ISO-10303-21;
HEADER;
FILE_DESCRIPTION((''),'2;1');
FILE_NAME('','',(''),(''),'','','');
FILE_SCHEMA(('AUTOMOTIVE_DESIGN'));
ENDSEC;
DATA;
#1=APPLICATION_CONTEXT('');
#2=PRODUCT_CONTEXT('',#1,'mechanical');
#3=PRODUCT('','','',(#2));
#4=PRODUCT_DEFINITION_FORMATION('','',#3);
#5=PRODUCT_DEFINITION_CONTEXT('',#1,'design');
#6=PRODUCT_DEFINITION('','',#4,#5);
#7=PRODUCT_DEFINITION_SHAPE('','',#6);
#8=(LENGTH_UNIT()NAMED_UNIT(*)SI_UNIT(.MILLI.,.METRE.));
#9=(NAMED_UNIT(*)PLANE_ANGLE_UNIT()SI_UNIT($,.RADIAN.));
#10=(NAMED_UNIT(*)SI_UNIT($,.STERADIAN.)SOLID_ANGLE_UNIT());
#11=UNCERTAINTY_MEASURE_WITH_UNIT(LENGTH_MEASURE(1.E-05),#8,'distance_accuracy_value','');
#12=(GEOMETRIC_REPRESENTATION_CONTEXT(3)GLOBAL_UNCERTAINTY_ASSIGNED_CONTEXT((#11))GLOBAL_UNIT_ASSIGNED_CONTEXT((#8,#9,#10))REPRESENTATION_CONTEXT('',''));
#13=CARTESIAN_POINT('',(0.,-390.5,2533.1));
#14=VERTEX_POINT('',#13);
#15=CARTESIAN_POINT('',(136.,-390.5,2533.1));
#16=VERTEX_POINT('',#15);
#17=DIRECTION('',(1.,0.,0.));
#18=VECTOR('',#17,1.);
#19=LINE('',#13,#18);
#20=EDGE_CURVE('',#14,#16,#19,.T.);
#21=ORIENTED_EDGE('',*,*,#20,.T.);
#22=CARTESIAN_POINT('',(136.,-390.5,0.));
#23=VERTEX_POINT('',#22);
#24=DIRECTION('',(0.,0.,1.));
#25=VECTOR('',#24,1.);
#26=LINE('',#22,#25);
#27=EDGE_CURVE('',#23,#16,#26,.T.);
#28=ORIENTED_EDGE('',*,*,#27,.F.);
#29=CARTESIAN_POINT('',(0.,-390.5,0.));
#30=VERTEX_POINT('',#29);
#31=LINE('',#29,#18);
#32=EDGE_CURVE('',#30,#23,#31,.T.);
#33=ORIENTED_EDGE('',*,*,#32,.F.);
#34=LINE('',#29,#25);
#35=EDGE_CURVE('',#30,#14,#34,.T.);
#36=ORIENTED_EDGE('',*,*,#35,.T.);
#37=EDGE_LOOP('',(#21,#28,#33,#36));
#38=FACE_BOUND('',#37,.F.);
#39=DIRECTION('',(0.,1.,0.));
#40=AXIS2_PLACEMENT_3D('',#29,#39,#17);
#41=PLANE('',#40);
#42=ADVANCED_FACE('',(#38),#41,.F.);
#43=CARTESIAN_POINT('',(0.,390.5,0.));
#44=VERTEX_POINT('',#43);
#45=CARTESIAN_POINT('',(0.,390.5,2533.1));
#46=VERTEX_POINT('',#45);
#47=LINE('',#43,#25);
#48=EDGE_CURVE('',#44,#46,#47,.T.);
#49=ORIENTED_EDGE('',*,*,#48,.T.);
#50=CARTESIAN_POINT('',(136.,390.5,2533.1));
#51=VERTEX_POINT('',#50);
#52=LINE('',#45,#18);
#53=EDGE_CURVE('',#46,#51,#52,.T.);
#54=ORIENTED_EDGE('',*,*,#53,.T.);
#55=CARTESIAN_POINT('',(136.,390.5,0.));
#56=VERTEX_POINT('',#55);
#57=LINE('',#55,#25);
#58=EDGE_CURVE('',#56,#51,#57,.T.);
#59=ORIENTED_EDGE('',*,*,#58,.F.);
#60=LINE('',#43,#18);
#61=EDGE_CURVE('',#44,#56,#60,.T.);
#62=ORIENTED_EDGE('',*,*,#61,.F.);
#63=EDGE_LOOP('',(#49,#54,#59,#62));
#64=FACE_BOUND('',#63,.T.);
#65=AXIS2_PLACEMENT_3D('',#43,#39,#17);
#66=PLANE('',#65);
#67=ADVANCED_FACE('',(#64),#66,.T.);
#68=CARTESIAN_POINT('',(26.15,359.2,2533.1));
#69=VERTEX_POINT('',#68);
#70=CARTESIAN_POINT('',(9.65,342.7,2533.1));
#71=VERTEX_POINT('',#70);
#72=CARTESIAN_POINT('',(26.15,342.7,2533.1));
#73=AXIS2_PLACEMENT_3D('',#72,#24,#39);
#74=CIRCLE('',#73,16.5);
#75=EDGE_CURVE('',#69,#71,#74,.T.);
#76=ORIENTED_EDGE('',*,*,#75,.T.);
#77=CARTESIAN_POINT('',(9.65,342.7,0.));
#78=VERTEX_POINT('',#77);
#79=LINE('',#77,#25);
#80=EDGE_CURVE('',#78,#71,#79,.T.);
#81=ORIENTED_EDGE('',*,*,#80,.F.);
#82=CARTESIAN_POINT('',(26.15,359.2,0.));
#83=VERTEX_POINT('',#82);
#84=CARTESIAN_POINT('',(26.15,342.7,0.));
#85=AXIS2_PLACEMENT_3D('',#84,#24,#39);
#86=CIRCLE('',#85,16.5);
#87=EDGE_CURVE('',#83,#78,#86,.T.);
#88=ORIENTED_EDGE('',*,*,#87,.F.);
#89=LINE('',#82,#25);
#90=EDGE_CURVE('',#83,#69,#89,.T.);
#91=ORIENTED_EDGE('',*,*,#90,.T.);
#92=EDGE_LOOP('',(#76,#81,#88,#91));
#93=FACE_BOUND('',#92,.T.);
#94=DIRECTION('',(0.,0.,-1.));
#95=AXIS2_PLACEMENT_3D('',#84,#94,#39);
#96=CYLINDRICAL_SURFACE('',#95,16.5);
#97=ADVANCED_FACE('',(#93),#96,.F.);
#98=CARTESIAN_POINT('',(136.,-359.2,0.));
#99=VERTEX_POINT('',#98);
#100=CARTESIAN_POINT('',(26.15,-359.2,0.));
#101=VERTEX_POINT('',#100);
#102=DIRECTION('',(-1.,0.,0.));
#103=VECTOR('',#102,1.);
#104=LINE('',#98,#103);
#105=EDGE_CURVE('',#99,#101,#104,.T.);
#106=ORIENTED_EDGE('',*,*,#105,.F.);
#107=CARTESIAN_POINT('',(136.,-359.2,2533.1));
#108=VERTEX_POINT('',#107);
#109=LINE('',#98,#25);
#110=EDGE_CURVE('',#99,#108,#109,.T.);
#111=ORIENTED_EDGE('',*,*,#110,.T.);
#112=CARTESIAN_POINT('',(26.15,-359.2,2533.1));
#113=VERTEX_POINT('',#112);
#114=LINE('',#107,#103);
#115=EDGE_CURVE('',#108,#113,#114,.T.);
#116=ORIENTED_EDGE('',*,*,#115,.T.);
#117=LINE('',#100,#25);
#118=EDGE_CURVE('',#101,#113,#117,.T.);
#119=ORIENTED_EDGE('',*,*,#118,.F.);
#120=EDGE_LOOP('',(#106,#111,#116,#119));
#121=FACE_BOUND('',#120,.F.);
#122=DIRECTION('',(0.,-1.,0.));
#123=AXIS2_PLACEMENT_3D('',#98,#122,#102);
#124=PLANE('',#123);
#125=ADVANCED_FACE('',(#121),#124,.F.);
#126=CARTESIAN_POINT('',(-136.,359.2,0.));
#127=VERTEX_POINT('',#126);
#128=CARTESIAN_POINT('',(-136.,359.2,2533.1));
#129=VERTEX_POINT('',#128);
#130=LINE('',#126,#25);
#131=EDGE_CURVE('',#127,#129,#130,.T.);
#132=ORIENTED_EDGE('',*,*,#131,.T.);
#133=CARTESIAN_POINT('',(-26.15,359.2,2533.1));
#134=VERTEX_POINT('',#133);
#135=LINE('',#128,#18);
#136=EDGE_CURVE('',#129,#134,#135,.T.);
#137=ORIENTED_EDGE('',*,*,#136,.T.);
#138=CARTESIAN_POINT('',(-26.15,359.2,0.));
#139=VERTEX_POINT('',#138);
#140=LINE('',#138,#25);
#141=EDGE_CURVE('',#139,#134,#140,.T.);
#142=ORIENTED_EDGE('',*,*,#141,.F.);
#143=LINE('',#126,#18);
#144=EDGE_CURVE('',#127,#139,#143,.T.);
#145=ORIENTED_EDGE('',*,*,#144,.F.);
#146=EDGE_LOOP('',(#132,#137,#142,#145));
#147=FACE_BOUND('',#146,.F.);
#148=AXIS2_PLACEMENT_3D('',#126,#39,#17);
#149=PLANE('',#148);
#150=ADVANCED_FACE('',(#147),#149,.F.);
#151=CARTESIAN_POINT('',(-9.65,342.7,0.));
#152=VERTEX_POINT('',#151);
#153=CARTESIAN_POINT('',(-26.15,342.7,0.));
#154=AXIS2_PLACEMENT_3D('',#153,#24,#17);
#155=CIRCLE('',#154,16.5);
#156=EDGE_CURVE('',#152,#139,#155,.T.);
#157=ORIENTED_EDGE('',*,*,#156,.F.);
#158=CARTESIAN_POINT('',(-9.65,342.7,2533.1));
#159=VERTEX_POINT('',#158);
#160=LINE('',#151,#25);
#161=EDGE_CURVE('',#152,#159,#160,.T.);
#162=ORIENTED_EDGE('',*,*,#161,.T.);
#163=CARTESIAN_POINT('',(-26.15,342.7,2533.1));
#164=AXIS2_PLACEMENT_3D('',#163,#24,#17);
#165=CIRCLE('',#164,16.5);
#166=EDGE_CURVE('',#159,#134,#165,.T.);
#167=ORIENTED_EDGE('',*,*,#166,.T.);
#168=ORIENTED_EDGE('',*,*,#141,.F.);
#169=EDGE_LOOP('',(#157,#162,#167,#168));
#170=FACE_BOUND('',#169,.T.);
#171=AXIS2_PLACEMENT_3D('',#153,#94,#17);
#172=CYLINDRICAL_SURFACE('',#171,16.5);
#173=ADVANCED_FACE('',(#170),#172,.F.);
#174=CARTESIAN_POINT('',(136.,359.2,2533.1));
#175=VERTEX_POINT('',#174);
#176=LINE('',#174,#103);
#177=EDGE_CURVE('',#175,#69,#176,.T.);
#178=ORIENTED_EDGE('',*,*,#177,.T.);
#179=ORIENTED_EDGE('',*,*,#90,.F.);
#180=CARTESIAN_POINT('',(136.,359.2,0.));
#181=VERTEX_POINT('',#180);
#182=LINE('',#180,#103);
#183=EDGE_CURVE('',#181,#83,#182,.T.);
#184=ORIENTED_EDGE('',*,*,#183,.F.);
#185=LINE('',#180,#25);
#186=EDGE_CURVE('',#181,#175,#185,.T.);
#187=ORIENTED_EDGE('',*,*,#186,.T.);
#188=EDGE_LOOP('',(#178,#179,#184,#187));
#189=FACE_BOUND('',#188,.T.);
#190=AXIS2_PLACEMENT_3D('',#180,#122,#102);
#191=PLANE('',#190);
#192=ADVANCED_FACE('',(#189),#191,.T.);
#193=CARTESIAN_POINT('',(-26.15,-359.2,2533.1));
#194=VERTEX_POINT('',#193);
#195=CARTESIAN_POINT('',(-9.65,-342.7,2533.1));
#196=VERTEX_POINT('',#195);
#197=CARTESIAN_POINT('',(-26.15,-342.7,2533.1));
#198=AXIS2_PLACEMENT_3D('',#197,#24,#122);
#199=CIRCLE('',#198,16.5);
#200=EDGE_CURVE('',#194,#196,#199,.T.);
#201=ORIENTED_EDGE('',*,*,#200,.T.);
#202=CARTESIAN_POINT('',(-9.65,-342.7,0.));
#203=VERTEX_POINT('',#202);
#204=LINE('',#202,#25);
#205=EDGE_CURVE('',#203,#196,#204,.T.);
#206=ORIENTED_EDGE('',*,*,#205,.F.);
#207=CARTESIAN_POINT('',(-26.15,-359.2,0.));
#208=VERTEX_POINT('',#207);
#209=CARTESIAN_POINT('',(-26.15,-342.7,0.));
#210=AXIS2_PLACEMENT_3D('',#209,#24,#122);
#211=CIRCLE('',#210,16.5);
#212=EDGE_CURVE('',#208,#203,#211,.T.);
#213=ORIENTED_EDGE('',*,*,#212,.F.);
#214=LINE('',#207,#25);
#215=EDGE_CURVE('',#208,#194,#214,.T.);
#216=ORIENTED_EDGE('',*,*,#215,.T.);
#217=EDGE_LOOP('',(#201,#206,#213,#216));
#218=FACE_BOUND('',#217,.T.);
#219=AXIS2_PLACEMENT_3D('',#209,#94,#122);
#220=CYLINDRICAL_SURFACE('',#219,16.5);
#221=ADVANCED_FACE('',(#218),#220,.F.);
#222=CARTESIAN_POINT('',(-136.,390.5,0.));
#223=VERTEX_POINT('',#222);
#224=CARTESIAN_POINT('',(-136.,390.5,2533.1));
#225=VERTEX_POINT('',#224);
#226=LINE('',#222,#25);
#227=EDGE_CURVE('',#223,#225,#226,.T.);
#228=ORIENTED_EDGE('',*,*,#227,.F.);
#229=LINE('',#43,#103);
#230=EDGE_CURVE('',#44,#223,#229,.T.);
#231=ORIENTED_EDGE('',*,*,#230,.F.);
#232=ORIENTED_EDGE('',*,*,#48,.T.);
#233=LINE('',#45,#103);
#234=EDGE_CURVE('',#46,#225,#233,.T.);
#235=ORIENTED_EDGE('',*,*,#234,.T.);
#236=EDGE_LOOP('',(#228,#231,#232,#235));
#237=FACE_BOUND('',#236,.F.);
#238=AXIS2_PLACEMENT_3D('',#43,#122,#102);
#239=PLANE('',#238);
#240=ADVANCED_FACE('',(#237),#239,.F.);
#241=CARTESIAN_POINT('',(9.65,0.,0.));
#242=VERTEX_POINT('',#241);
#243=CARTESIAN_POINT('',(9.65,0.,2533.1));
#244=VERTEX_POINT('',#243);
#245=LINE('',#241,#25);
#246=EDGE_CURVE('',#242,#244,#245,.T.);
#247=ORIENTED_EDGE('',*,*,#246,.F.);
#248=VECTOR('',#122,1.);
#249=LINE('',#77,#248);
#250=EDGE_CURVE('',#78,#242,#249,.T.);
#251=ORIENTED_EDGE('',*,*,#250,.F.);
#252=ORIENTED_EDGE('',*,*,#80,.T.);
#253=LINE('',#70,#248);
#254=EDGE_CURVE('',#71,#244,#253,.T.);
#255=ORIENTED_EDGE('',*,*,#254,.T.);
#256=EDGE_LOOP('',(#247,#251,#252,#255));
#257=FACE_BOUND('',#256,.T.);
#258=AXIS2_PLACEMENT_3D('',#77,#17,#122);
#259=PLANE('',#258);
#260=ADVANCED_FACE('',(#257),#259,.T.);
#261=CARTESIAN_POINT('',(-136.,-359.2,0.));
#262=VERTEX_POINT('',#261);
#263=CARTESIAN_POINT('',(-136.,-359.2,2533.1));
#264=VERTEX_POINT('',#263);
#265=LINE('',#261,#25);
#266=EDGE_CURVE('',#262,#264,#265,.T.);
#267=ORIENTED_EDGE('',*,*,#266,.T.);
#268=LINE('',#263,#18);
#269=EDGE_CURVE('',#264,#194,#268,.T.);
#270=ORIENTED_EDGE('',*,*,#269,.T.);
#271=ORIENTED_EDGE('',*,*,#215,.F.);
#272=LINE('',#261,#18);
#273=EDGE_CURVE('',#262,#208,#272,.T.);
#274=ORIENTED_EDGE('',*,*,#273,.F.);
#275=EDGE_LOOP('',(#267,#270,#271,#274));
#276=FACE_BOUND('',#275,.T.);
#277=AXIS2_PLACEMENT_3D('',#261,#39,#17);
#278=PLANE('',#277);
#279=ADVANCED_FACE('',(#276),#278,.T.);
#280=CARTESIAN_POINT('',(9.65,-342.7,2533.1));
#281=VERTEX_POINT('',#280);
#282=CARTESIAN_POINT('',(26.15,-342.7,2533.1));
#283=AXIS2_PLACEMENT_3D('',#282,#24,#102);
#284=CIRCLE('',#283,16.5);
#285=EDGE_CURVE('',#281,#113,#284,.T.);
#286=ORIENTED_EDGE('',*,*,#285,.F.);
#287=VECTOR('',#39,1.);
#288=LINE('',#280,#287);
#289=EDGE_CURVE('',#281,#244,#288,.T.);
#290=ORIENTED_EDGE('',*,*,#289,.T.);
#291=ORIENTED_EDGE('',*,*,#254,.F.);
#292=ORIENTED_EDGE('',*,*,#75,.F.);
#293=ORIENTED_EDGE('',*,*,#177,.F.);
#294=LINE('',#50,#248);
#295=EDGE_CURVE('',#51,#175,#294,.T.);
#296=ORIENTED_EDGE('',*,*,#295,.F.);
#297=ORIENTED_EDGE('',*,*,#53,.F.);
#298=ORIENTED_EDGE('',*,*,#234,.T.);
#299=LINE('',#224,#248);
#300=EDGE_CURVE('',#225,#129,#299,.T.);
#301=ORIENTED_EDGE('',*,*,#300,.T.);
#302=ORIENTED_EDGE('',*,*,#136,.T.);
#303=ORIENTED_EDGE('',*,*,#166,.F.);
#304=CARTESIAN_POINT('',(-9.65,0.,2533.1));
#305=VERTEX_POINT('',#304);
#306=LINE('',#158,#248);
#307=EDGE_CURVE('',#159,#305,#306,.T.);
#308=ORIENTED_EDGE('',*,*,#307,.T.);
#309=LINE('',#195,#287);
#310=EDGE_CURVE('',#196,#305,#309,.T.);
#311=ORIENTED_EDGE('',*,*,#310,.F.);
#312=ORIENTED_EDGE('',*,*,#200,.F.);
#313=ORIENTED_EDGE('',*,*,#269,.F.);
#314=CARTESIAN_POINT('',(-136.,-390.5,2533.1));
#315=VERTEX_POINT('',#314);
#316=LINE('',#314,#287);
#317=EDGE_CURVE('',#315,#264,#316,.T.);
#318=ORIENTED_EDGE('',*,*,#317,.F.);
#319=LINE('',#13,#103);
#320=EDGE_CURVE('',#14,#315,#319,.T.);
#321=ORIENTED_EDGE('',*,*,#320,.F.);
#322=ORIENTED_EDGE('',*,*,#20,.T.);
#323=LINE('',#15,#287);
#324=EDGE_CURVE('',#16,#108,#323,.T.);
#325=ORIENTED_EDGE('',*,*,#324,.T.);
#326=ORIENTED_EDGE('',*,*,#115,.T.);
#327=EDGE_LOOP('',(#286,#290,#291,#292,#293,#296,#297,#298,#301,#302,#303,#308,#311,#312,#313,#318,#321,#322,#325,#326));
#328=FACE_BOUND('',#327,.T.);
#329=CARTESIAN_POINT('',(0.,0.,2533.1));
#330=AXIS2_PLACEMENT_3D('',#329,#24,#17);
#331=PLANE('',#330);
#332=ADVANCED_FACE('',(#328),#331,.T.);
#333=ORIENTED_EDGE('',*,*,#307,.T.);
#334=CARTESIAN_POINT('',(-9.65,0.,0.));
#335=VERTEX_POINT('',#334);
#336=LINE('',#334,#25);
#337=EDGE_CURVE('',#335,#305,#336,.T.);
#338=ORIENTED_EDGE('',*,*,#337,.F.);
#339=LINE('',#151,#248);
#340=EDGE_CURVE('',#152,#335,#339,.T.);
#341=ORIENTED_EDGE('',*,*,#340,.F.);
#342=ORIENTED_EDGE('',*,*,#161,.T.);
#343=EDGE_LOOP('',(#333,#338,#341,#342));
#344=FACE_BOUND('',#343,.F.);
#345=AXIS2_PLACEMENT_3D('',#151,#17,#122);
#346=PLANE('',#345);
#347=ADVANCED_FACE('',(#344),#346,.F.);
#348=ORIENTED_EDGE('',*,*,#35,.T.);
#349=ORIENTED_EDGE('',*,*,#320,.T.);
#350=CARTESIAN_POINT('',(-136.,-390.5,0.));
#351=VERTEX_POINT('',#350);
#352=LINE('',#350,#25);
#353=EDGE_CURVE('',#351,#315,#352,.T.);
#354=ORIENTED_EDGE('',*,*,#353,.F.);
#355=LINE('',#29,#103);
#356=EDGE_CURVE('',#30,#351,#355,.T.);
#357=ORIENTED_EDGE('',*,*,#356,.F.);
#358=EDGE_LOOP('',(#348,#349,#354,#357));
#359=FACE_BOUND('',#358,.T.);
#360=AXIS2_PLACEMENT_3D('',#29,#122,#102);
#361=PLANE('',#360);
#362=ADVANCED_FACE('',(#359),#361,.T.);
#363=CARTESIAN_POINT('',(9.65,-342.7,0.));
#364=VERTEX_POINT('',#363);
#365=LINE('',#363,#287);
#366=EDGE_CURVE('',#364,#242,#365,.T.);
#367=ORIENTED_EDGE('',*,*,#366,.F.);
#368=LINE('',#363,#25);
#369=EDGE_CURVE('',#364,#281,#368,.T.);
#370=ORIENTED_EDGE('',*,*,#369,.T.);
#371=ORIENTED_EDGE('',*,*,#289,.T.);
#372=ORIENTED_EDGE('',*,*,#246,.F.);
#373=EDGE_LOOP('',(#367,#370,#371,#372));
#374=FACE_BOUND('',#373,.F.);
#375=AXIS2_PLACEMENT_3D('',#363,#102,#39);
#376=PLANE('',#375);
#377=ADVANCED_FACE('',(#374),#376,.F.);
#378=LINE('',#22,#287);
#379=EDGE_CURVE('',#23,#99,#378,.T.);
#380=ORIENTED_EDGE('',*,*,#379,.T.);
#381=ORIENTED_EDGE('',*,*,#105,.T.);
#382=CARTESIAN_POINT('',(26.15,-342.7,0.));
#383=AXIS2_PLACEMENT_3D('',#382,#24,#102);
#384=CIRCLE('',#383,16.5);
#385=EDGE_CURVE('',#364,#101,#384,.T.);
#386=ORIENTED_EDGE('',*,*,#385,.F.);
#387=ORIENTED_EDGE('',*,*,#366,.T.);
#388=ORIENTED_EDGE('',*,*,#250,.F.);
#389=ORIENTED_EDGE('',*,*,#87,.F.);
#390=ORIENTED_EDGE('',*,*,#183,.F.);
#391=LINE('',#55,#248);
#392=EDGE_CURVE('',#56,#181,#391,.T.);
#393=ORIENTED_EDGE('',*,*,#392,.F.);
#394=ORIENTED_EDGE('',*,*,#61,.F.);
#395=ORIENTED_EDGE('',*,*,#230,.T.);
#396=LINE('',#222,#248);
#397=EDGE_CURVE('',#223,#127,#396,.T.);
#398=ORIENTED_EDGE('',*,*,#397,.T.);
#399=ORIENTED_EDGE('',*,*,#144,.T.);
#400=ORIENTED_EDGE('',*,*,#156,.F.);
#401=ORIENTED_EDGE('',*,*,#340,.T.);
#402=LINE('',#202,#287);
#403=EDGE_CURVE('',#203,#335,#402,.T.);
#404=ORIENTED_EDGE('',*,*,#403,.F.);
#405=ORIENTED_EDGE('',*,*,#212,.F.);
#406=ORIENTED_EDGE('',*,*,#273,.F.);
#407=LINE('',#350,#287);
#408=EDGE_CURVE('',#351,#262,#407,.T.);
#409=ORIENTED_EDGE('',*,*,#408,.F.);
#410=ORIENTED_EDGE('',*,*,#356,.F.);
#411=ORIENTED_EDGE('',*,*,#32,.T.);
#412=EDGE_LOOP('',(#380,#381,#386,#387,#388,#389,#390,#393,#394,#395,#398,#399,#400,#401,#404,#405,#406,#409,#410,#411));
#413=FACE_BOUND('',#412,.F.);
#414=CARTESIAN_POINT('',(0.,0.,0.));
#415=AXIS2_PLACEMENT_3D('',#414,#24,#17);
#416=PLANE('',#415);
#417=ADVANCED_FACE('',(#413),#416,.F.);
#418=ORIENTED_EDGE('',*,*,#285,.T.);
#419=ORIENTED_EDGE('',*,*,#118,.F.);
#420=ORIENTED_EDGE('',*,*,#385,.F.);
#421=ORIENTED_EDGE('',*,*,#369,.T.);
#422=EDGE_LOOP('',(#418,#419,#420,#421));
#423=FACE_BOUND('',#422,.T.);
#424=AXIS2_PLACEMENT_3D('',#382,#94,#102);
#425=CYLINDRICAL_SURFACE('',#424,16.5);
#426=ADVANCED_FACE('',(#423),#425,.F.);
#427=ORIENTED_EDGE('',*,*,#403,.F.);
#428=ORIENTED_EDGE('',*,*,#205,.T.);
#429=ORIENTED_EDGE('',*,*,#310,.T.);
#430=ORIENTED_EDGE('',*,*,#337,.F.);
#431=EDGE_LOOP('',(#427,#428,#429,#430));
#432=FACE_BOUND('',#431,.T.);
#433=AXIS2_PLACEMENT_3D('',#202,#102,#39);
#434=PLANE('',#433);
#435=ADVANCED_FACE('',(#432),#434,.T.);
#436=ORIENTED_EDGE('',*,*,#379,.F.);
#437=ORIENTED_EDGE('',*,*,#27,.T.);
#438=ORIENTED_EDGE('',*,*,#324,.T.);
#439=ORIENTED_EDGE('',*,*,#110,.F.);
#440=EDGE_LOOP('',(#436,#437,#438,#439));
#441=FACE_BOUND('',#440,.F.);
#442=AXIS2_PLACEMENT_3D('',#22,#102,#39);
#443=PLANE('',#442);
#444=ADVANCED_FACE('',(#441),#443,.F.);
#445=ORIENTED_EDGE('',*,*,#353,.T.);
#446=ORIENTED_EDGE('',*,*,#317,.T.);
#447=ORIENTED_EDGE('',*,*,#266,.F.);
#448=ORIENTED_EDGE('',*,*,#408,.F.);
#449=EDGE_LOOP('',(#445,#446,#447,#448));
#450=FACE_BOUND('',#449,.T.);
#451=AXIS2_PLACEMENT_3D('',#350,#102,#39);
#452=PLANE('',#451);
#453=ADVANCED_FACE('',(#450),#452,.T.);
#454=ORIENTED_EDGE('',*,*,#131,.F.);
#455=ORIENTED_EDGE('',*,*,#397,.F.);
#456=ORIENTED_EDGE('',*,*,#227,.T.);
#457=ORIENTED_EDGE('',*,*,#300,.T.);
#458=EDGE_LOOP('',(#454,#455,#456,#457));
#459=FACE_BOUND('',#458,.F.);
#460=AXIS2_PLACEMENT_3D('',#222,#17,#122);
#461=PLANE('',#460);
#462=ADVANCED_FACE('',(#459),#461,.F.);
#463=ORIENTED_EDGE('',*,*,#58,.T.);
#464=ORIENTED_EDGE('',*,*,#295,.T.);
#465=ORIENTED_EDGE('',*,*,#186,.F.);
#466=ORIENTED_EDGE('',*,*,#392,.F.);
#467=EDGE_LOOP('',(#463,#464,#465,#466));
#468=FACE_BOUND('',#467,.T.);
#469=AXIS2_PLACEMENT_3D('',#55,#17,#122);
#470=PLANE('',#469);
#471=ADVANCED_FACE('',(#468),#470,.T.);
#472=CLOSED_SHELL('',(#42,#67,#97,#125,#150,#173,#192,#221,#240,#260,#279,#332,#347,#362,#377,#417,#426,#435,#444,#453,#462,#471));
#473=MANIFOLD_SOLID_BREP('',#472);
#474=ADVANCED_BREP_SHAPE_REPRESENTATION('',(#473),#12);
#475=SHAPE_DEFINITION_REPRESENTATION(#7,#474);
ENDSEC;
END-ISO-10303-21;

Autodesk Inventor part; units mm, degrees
ref_plane "YZ Plane" through (0, 0, 0) normal (1, 0, 0) x (0, 1, 0)
ref_plane "Start plane" through (0, 0, 0) normal (0, 0, 1) x (1, 0, 0)
ref_plane "End plane" through (0, 0, 2533.1) normal (0, 0, 1) x (1, 0, 0)
sketch "Sketch" plane through (0, 0, 0) normal (0, 0, 1) x (1, 0, 0)
  line L0 (-136, -390.5) -> (-136, -359.2)
  line L1 (-136, -359.2) -> (-26.15, -359.2)
  line L2 (-9.65, -342.7) -> (-9.65, 0)
  line L3 (-9.65, 0) -> (0, 0) construction
  line L4 (0, 0) -> (0, -390.5) construction
  line L5 (0, -390.5) -> (-136, -390.5)
  line L6 (-60, 0) -> (80, 0) construction
  line L7 (0, -60) -> (0, 80) construction
  line L8 (136, -390.5) -> (136, -359.2)
  line L9 (136, -359.2) -> (26.15, -359.2)
  line L10 (9.65, -342.7) -> (9.65, 0)
  line L11 (9.65, 0) -> (0, 0) construction
  line L12 (0, -390.5) -> (136, -390.5)
  line L13 (-136, 390.5) -> (-136, 359.2)
  line L14 (-136, 359.2) -> (-26.15, 359.2)
  line L15 (-9.65, 342.7) -> (-9.65, 0)
  line L16 (0, 390.5) -> (-136, 390.5)
  line L17 (136, 390.5) -> (136, 359.2)
  line L18 (136, 359.2) -> (26.15, 359.2)
  line L19 (0, 390.5) -> (136, 390.5)
  line L20 (9.65, 342.7) -> (9.65, 0)
  arc A0 (-9.65, 342.7) -> (-26.15, 359.2) centre (-26.15, 342.7) ccw
  arc A1 (26.15, 359.2) -> (9.65, 342.7) centre (26.15, 342.7) ccw
  arc A2 (9.65, -342.7) -> (26.15, -359.2) centre (26.15, -342.7) ccw
  arc A3 (-26.15, -359.2) -> (-9.65, -342.7) centre (-26.15, -342.7) ccw
  line L21 (0, 108) -> (0, -88) construction
  line L22 (-88, 0) -> (108, 0) construction
  point P0 (-9.65, -359.2)
  point P1 (9.65, -359.2)
  point P2 (-9.65, 359.2)
  point P3 (9.65, 359.2)
  dimension "d1" = 390.5
  dimension "d2" = 31.3
  dimension "d3" = 136
  dimension "d4" = 9.65
  dimension "d10" = 16.5
extrude "Body" add sketch "Sketch" along normal up to surface (2533.1 mm away) from surface at 0
sketch "Sketch4" plane through (0, 0, 0) normal (0, 0, 1) x (1, 0, 0)
  line L0 (0, 0) -> (10, 0)
ref_plane "Work Plane3" through (0, 0, 0) normal (0, -1, 0) x (1, 0, 0)
sketch "Sketch5" plane through (0, 0, 0) normal (0, -1, 0) x (1, 0, 0)
  line L0 (-2, 0) -> (12, 0) projected
  line L1 (-2, 2533.1) -> (12, 2533.1) projected
  dimension "d14" = 2533.1
equation "\"d1\" = 0.5 * G_H"
equation "\"d2\" = G_T1"
equation "\"d3\" = 0.5 * G_W"
equation "\"d4\" = 0.5 * G_T"
equation "\"d10\" = G_IR"
equation "\"d5\" = G_L"
equation "\"G_W\" = 272"
equation "\"G_H\" = 781"
equation "\"G_T\" = 19.3"
equation "\"G_T1\" = 31.3"
equation "\"G_IR\" = 16.5"
equation "\"G_L\" = d14"
equation "\"G_OFFSET_START\" = 0"
equation "\"G_OFFSET_END\" = 0"
equation "\"d12\" = G_OFFSET_END + B_L"
equation "\"B_L\" = 2533.1"
properties part number "AS 3679-1990 - 760 UB - 244 - 2533.1" material "Steel, Mild"
